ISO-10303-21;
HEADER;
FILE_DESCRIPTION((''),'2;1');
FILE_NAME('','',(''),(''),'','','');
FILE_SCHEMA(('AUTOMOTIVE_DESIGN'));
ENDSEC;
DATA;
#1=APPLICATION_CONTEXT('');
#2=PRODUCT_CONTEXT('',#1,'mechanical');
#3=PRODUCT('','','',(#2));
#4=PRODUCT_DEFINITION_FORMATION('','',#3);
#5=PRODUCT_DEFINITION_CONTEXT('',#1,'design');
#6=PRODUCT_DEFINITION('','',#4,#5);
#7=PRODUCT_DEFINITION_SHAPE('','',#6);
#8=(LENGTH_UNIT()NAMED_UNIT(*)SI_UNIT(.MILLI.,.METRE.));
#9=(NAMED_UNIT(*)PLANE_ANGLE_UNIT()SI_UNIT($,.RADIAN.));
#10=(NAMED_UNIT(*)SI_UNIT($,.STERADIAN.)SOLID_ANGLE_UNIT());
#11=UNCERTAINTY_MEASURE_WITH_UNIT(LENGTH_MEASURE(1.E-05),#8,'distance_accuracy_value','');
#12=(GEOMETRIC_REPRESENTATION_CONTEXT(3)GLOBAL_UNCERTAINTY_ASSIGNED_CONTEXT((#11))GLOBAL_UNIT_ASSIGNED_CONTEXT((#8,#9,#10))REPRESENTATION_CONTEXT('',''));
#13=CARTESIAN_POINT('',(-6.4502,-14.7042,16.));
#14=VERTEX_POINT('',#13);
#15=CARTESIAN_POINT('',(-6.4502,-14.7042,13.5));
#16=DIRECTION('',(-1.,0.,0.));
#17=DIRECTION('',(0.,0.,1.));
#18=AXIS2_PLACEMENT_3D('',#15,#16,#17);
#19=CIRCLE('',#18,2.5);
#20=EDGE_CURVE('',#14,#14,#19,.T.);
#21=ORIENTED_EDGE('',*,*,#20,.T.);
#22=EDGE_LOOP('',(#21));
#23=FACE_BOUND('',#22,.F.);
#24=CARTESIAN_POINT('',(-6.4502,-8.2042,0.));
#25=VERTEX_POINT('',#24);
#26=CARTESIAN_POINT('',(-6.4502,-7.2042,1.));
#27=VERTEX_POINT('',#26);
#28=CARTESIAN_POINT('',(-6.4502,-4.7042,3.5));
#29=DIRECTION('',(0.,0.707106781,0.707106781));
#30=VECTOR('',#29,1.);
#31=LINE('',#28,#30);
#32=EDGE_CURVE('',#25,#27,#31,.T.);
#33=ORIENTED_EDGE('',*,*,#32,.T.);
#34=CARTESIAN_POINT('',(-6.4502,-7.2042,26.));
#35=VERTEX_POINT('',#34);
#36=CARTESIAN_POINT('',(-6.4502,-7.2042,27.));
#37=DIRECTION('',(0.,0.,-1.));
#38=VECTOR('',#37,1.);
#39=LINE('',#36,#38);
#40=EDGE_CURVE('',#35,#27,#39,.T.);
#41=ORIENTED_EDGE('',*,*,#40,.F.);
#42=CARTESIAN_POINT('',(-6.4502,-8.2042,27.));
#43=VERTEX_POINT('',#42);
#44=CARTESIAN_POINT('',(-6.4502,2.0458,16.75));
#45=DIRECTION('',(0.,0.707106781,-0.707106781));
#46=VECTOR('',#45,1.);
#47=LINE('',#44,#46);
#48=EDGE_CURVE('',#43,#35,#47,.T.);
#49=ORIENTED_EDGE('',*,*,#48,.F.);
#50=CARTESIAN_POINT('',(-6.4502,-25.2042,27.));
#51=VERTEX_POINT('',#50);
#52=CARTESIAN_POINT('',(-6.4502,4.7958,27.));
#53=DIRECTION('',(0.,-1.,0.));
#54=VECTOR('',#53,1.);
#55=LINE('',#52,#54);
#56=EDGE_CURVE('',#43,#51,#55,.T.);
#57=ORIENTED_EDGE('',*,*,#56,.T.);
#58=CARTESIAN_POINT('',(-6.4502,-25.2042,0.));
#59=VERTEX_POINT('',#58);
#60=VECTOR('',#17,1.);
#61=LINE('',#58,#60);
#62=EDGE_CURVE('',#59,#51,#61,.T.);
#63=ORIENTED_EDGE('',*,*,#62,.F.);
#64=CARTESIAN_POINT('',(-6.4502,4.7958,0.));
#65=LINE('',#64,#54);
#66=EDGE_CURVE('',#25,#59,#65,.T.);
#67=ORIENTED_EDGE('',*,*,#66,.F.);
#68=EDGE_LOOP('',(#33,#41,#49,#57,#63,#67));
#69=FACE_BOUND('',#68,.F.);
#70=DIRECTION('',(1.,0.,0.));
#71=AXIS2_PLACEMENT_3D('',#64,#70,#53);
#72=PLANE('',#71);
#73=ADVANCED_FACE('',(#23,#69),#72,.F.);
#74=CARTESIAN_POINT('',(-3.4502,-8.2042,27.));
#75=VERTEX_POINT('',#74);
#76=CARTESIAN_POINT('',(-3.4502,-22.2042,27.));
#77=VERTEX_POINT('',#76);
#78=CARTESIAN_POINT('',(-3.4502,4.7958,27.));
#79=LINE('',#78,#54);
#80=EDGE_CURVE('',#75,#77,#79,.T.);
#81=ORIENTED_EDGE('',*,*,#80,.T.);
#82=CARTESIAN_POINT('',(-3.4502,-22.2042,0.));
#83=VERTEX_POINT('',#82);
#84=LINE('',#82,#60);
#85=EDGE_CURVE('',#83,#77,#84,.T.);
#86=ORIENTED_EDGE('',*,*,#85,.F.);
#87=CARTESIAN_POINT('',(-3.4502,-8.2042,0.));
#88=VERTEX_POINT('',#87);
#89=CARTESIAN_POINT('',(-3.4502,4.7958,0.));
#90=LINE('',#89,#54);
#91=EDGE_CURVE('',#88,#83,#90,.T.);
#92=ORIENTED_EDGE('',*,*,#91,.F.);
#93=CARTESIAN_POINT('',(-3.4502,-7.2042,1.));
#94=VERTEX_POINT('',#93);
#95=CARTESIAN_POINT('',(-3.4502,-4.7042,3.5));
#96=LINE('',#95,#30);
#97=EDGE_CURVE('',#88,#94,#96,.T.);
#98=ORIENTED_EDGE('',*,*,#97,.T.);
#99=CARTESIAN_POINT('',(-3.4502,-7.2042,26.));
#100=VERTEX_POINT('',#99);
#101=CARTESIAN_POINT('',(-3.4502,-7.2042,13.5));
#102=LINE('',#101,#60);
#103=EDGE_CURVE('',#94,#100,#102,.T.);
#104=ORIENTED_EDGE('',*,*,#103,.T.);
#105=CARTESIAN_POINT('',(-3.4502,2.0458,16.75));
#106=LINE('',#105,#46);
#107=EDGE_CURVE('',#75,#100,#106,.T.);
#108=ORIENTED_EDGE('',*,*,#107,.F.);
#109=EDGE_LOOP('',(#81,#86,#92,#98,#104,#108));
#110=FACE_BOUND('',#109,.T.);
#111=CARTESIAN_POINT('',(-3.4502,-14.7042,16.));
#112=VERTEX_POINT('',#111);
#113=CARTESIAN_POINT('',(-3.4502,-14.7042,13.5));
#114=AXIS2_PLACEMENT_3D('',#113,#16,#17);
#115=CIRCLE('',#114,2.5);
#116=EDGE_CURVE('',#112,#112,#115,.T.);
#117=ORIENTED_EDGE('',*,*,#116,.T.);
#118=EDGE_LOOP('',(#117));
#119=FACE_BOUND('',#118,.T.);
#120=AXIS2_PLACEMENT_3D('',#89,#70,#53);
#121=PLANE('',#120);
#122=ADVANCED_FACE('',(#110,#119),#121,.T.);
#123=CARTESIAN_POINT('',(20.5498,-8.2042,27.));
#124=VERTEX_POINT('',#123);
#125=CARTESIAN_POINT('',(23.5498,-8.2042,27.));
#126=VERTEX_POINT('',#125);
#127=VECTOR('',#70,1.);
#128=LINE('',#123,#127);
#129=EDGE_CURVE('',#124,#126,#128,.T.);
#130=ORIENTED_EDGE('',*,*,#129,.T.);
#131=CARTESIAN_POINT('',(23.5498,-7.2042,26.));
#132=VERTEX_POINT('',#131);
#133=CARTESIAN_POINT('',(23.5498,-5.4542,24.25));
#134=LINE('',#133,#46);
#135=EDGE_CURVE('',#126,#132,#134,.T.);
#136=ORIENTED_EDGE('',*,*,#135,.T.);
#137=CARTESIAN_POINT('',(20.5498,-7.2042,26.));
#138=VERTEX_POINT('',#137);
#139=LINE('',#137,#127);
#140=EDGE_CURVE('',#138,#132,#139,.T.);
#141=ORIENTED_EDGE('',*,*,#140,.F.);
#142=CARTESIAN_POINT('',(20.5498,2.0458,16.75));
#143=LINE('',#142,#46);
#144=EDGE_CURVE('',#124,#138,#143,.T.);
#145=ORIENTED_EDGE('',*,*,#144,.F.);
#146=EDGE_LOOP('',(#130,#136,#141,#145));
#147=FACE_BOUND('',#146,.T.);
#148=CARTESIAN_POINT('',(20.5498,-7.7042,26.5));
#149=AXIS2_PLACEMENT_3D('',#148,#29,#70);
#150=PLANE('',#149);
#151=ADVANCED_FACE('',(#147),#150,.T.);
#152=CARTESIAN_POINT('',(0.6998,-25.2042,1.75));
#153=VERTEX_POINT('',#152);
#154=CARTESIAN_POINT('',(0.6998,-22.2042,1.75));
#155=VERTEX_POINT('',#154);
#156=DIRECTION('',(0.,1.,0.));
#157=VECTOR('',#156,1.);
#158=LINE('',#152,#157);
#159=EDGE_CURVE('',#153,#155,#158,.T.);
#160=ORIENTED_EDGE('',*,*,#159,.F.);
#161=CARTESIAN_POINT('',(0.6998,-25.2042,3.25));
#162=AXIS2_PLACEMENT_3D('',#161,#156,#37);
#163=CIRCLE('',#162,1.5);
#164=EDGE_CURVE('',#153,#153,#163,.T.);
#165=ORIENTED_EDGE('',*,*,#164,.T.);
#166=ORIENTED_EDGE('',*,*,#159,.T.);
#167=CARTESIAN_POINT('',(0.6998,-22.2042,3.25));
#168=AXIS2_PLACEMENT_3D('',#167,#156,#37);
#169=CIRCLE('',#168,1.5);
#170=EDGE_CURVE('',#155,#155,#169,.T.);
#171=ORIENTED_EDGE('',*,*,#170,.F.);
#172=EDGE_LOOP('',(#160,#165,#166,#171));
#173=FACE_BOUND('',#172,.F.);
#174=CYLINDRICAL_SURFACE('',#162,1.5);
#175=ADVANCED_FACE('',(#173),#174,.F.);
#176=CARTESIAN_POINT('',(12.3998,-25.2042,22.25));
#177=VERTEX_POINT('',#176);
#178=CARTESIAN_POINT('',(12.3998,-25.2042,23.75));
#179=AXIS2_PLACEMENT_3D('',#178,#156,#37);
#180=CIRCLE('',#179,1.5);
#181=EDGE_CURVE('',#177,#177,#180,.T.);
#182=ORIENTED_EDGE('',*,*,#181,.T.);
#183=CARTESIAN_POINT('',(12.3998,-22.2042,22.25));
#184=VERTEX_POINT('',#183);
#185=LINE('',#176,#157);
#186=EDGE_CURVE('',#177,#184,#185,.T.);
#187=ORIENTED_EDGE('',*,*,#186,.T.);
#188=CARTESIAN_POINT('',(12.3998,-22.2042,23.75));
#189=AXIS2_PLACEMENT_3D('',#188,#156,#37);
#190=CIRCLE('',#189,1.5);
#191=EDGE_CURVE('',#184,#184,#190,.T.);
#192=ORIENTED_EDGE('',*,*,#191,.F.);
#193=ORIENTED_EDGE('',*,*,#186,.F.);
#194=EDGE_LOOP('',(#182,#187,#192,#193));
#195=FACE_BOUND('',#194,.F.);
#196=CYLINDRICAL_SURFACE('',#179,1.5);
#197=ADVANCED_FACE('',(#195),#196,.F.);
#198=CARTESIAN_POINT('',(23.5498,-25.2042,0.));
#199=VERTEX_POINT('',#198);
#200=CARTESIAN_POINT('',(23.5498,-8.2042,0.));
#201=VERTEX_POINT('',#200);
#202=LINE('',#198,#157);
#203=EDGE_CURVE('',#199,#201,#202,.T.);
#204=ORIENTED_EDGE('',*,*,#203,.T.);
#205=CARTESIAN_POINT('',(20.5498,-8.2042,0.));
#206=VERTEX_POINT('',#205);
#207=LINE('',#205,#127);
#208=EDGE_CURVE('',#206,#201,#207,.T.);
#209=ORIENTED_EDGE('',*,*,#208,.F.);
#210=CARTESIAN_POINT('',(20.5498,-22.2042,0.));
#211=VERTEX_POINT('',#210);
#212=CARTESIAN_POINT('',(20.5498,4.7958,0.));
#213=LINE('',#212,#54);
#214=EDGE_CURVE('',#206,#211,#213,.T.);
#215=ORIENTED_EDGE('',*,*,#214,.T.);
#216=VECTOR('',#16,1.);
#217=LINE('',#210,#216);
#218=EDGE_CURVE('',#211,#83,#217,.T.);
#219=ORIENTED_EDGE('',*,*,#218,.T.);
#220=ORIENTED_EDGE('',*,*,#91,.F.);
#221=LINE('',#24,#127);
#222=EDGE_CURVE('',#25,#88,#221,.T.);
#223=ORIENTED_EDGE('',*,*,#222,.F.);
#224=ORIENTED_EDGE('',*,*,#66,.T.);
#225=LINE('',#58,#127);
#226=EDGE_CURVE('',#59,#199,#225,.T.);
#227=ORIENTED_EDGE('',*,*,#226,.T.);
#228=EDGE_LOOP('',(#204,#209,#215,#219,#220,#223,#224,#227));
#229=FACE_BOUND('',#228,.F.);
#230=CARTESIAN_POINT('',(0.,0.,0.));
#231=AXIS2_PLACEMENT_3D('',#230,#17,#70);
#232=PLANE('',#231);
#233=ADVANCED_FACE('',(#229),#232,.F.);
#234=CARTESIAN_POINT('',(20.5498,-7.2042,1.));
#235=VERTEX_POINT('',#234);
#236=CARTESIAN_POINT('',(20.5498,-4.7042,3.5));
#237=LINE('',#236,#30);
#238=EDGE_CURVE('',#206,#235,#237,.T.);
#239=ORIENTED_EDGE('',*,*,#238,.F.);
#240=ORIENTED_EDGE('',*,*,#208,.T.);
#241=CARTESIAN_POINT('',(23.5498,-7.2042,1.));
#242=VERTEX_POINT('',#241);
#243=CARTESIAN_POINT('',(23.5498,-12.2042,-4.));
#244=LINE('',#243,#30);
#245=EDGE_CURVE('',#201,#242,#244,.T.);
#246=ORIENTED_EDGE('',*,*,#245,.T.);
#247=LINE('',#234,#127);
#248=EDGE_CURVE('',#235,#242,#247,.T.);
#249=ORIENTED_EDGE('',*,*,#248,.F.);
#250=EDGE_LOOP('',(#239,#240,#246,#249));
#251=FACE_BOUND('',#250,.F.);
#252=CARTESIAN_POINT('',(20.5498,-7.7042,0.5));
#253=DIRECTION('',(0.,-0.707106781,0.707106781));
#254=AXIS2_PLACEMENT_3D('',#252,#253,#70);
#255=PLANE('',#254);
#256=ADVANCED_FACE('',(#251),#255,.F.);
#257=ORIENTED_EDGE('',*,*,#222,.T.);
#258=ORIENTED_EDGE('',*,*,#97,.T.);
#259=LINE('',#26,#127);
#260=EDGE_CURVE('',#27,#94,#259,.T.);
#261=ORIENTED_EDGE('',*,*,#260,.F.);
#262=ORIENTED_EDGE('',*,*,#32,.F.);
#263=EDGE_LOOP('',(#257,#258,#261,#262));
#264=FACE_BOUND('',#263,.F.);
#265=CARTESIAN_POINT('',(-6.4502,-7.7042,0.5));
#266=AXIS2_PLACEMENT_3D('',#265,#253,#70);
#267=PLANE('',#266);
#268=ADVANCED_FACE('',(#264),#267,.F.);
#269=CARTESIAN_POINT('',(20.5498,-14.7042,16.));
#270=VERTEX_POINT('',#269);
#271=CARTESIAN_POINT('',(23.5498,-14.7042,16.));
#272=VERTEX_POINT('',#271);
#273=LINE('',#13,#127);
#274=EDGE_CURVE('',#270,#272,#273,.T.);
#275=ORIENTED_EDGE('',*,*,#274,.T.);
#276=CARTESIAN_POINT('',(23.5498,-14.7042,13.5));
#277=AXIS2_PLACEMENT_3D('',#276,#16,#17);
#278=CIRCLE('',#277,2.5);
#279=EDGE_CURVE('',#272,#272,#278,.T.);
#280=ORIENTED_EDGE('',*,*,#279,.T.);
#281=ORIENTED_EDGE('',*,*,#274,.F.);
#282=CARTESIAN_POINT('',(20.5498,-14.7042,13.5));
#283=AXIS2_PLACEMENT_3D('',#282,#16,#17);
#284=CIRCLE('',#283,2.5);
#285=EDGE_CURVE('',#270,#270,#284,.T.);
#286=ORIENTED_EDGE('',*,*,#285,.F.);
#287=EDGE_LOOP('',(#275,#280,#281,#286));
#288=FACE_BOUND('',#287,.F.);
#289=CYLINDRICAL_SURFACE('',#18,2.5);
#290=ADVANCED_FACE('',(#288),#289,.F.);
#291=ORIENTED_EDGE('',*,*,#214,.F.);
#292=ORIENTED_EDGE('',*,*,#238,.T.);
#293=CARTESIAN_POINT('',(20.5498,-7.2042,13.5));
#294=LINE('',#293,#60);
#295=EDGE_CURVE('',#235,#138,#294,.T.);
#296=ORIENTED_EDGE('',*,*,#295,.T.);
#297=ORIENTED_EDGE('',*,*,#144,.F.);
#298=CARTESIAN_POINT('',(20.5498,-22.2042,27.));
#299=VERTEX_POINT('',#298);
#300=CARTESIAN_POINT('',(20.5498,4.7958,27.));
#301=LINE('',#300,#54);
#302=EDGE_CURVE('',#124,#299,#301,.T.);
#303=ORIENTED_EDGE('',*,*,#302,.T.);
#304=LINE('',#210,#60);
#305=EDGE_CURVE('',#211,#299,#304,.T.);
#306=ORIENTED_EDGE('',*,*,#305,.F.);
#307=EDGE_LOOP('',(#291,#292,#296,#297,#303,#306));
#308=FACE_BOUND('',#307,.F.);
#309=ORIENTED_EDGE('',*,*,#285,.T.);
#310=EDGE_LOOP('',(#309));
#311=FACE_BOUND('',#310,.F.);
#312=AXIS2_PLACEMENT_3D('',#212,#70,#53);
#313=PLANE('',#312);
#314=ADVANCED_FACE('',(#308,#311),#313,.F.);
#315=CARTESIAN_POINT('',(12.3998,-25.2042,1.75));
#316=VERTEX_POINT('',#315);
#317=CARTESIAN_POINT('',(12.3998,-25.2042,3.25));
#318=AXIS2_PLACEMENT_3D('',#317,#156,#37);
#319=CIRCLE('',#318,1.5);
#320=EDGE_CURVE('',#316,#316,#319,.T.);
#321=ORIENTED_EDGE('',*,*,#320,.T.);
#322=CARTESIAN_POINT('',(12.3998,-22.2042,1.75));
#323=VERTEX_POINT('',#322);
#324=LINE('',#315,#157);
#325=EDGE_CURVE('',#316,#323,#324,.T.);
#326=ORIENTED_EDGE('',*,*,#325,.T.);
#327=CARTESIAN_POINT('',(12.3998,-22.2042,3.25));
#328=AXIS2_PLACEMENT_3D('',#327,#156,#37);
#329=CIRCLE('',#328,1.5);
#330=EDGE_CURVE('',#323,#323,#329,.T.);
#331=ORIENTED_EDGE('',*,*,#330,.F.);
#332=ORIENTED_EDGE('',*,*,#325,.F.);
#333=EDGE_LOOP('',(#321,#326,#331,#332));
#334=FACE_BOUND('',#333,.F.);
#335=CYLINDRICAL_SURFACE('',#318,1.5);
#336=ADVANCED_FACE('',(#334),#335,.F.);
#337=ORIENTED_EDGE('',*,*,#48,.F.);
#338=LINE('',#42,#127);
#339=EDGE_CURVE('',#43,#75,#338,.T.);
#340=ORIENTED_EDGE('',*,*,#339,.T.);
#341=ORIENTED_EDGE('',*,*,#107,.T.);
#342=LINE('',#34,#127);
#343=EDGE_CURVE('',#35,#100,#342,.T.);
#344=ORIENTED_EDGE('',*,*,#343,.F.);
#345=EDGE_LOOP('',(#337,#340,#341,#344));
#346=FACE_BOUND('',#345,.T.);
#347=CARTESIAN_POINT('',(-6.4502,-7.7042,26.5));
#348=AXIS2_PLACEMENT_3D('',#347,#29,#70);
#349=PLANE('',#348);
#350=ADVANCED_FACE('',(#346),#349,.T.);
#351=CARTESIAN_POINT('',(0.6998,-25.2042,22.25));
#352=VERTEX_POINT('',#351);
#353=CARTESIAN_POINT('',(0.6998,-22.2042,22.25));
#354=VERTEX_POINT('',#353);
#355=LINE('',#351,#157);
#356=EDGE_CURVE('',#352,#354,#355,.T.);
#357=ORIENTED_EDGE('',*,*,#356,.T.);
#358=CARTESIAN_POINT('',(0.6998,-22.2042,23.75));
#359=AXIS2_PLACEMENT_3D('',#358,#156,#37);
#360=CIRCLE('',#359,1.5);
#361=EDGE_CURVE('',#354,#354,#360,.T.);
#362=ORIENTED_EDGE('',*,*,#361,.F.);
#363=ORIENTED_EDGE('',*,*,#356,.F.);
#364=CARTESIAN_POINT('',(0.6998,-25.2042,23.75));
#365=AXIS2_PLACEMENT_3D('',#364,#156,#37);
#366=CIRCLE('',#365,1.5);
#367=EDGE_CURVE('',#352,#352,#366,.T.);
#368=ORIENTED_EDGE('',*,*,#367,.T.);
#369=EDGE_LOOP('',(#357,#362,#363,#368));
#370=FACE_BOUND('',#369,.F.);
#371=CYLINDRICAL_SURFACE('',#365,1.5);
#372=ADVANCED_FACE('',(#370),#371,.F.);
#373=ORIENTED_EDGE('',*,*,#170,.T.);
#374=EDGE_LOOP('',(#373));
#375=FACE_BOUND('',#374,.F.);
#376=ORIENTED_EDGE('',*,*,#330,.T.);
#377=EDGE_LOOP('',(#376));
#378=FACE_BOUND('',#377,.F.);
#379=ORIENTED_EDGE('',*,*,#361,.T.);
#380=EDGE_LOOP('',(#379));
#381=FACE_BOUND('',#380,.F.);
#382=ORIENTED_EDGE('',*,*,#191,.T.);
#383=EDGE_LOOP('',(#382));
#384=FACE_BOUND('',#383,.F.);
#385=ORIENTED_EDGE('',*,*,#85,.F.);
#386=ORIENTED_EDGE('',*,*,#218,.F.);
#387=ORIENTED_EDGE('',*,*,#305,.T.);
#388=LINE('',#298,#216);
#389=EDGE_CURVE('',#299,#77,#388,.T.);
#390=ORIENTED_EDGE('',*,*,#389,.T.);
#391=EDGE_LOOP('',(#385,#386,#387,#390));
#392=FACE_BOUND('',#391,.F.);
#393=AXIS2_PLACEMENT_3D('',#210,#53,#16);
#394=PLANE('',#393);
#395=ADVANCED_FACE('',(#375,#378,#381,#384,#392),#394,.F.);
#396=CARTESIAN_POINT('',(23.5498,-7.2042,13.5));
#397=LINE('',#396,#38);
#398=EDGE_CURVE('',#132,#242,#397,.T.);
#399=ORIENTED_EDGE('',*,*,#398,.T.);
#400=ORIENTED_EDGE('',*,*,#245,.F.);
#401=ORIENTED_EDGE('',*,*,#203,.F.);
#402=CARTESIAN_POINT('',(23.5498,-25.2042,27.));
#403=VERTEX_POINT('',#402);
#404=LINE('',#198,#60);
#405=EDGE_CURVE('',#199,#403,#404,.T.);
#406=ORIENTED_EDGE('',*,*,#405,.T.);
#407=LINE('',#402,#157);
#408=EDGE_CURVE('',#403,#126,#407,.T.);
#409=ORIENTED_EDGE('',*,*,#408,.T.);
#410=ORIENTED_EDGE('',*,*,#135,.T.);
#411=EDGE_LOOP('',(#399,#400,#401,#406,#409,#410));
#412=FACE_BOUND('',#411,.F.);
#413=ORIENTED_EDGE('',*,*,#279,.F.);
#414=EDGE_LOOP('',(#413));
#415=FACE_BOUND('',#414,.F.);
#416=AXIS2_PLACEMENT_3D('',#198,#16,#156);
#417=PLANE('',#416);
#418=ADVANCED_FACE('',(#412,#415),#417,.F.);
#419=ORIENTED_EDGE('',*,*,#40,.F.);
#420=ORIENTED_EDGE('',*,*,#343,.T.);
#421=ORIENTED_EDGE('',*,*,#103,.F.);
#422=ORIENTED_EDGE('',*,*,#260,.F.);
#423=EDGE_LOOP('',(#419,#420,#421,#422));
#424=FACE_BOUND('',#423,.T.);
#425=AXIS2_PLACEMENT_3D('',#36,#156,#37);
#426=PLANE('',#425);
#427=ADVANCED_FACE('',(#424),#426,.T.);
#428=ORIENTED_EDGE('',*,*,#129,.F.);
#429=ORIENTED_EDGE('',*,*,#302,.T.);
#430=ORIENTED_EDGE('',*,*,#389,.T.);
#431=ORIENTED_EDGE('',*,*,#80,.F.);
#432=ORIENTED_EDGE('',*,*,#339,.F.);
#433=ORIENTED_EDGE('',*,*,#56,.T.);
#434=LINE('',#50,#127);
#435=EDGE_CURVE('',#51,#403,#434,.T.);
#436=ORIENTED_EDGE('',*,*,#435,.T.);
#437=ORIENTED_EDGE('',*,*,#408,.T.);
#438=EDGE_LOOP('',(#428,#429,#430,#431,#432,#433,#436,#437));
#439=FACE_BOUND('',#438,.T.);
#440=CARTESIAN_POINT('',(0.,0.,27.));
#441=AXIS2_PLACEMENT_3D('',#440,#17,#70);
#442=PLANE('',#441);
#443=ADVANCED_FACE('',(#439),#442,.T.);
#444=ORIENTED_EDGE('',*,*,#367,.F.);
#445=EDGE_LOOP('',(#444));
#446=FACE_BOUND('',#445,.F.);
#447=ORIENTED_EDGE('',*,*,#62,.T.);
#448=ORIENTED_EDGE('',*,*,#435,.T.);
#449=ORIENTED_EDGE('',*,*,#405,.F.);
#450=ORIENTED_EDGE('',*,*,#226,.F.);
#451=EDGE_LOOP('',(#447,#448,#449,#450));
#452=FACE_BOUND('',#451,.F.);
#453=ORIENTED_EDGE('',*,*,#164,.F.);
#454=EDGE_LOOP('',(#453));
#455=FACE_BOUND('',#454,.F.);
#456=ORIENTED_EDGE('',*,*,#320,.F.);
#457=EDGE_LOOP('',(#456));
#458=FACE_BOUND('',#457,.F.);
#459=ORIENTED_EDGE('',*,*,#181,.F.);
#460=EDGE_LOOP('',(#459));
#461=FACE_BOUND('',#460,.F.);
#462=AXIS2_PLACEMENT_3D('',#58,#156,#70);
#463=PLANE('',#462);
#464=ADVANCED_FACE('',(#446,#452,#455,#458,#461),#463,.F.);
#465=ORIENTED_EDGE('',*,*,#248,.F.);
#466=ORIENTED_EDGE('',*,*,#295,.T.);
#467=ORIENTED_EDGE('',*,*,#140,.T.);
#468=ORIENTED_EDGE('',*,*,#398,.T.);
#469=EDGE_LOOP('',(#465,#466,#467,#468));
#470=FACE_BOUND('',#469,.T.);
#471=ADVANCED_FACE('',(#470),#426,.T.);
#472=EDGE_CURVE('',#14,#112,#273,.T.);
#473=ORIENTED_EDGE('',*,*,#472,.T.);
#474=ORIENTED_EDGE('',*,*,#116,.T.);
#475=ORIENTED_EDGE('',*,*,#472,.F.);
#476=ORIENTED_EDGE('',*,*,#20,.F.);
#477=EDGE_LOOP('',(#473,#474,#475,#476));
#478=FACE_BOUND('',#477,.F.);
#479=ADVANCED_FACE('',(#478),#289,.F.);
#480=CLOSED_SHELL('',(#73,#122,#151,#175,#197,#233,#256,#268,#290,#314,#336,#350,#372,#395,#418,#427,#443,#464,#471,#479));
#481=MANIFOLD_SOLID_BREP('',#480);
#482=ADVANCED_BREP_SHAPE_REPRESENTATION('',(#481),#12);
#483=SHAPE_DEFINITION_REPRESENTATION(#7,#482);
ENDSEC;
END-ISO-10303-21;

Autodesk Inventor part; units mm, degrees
ref_plane "YZ Plane" through (0, 0, 0) normal (1, 0, 0) x (0, 1, 0)
ref_plane "XZ Plane" through (0, 0, 0) normal (0, 1, 0) x (-1, 0, 0)
ref_plane "XY Plane" through (0, 0, 0) normal (0, 0, 1) x (1, 0, 0)
sketch "Szkic1" plane through (0, 0, 0) normal (0, 0, 1) x (1, 0, 0)
  line L0 (-6.4502, 4.7958) -> (-6.4502, -25.2042)
  line L1 (-6.4502, -25.2042) -> (23.5498, -25.2042)
  line L2 (23.5498, -25.2042) -> (23.5498, 4.7958)
  line L3 (-6.4502, 4.7958) -> (-3.4502, 4.7958)
  line L4 (-3.4502, 4.7958) -> (-3.4502, -22.2042)
  line L5 (23.5498, 4.7958) -> (20.5498, 4.7958)
  line L6 (20.5498, 4.7958) -> (20.5498, -22.2042)
  line L7 (20.5498, -22.2042) -> (-3.4502, -22.2042)
  point P0 (0, 0)
  dimension "d0" = 30
  dimension "d1" = 30
  dimension "d2" = 30
  dimension "d3" = 3
  dimension "d4" = 27
  dimension "d5" = 3
extrude "Wyciągnięcie proste1" add sketch "Szkic1" along normal blind 27
sketch "Szkic2" plane through (-6.4502, -25.2042, 0) normal (-1, 0, 0) x (0, 0, 1)
  line L0 (0, 30) -> (0, 0) projected
  line L1 (0, 0) -> (27, 0) projected
  line L2 (27, 30) -> (27, 0) projected
  line L3 (0, 30) -> (27, 30) projected
  line L4 (0, 3) -> (27, 3) projected
  circle A0 centre (13.5, 10.5) radius 2.5
  line L5 (27, 30) -> (27, 0) projected
  line L6 (27, 18) -> (0, 18)
  point P0 (0, 25.2042)
  dimension "d8" = 27
  dimension "d9" = 13.5
  dimension "d10" = 5
  dimension "d11" = 7.5
  dimension "d12" = 7.5
extrude "Wyciągnięcie proste2" cut sketch "Szkic2" against normal through all contours L3 L2 L6 L0 | A0
chamfer "Faza2" distance 1 angle 45 4 edges at (22.0498, -7.2042, 27) (-4.9502, -7.2042, 27) (22.0498, -7.2042, 0) (-4.9502, -7.2042, 0)
sketch "Szkic5" plane through (-6.4502, -25.2042, 0) normal (0, -1, 0) x (1, 0, 0)
  line L0 (0, 0) -> (30, 0) projected
  line L1 (30, 0) -> (30, 27) projected
  line L2 (0, 27) -> (30, 27) projected
  line L3 (0, 0) -> (0, 27) projected
  line L4 (3, 0) -> (3, 27) projected
  line L5 (27, 0) -> (27, 27) projected
  point P0 (6.4502, 0)
  point P1 (7.15, 23.75)
  point P2 (18.85, 23.75)
  point P3 (7.15, 3.25)
  point P4 (18.85, 3.25)
  dimension "d21" = 20.5
  dimension "d22" = 11.7
  dimension "d24" = 11.7
  dimension "d25" = 20.5
  dimension "d26" = 27
  dimension "d27" = 3.25
  dimension "d28" = 22.85
hole "Otwór1" at (0.6998, -25.2042, 23.75) at (12.3998, -25.2042, 23.75) at (0.6998, -25.2042, 3.25) at (12.3998, -25.2042, 3.25) direction (0, 1, 0) diameter 3 end through all
equation "\"d9\" = 0.5 * d8"
equation "\"d12\" = d11"
equation "\"d27\" = -0.5 * d21 + 0.5 * d26"
properties part number "CNCM_ALU_Y_Axis_Tensioning_System_C_Sec"
